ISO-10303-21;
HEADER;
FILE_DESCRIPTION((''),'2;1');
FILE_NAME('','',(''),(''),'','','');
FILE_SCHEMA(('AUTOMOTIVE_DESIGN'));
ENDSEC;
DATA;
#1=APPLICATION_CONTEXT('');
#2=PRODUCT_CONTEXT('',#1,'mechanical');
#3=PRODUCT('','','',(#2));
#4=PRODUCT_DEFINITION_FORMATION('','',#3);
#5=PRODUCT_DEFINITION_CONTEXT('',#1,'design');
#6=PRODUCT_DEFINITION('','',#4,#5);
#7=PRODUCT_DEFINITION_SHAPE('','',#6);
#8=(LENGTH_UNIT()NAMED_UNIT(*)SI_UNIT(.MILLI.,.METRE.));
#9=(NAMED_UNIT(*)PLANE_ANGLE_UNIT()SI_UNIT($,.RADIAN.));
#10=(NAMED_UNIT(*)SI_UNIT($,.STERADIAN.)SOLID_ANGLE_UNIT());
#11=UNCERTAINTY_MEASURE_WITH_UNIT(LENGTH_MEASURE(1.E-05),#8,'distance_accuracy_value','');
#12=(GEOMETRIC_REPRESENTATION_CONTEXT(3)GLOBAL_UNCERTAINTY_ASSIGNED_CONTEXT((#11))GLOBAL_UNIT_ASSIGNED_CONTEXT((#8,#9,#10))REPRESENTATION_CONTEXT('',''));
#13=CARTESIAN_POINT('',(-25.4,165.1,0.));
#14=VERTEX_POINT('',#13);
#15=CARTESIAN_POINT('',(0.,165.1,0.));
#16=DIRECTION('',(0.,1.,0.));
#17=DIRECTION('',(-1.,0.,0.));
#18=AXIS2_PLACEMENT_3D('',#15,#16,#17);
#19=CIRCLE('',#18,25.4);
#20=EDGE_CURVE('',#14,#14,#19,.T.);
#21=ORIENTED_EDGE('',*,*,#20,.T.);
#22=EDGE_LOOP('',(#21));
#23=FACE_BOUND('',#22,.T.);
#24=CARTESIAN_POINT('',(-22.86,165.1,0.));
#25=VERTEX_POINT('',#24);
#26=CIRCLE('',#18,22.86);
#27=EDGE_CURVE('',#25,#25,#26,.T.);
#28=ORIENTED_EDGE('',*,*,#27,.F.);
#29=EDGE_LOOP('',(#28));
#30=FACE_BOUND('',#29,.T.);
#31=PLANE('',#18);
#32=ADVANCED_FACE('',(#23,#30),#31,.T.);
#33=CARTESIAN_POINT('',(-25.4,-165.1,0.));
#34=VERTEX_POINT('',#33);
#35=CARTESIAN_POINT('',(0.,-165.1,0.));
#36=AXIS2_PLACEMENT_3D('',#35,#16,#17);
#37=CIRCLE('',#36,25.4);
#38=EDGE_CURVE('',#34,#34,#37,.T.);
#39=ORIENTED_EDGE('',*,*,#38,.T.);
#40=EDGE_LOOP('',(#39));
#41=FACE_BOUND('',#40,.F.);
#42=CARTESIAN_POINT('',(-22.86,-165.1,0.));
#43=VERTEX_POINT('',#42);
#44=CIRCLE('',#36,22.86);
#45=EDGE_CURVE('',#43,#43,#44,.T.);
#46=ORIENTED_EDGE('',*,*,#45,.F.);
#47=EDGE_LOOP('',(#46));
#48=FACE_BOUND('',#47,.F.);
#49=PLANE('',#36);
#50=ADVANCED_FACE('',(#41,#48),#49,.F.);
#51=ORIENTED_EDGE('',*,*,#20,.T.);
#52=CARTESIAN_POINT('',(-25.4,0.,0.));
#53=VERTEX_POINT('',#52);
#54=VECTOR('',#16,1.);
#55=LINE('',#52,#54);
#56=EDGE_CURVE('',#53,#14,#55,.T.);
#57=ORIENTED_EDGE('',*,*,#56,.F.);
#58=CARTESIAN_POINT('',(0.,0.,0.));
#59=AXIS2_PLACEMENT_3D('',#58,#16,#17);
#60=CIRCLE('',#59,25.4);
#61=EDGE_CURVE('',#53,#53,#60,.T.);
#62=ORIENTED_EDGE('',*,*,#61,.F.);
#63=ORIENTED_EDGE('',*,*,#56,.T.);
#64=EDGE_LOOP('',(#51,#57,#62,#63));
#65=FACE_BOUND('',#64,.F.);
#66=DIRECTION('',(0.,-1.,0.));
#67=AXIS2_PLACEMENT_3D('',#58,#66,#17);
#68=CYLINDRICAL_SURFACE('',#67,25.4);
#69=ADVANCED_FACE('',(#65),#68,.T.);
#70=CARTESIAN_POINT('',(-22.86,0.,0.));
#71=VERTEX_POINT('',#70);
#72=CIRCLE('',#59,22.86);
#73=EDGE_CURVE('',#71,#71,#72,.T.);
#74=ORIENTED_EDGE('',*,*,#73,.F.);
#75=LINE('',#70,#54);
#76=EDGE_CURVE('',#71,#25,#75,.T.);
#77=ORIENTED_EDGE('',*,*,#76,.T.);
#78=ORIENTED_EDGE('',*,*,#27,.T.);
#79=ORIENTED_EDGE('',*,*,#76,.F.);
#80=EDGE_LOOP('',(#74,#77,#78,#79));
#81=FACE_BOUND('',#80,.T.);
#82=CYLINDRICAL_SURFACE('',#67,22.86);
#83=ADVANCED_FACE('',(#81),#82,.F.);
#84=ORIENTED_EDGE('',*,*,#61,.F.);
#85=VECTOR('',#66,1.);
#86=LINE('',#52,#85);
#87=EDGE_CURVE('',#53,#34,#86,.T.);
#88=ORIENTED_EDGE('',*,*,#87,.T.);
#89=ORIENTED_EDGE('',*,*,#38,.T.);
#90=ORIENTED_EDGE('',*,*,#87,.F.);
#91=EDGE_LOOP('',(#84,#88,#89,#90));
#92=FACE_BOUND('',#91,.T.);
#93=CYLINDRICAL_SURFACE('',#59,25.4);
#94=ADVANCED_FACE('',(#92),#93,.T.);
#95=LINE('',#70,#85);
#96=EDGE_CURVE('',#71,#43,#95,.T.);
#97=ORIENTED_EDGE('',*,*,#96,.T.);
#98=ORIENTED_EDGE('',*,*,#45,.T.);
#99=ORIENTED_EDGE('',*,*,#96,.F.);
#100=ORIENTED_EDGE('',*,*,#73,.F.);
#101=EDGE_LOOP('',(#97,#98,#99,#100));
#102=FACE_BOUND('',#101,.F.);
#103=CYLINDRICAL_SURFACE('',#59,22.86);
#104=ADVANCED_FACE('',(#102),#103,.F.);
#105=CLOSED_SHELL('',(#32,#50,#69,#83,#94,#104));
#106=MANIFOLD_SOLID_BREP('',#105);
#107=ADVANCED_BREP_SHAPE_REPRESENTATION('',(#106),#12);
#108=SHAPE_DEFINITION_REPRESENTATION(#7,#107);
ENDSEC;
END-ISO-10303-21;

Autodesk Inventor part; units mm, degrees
ref_plane "YZ Plane" through (0, 0, 0) normal (1, 0, 0) x (0, 1, 0)
ref_plane "XZ Plane" through (0, 0, 0) normal (0, 1, 0) x (-1, 0, 0)
ref_plane "XY Plane" through (0, 0, 0) normal (0, 0, 1) x (1, 0, 0)
sketch "Sketch1" plane through (0, 0, 0) normal (0, 1, 0) x (-1, 0, 0)
  circle A0 centre (0, 0) radius 25.4
  circle A1 centre (0, 0) radius 22.86
  dimension "d0" = 50.8
  dimension "d1" = 2.54
extrude "Extrusion1" add sketch "Sketch1" along normal mid plane 330.2
properties part number "AR-005" material "CFRP"
